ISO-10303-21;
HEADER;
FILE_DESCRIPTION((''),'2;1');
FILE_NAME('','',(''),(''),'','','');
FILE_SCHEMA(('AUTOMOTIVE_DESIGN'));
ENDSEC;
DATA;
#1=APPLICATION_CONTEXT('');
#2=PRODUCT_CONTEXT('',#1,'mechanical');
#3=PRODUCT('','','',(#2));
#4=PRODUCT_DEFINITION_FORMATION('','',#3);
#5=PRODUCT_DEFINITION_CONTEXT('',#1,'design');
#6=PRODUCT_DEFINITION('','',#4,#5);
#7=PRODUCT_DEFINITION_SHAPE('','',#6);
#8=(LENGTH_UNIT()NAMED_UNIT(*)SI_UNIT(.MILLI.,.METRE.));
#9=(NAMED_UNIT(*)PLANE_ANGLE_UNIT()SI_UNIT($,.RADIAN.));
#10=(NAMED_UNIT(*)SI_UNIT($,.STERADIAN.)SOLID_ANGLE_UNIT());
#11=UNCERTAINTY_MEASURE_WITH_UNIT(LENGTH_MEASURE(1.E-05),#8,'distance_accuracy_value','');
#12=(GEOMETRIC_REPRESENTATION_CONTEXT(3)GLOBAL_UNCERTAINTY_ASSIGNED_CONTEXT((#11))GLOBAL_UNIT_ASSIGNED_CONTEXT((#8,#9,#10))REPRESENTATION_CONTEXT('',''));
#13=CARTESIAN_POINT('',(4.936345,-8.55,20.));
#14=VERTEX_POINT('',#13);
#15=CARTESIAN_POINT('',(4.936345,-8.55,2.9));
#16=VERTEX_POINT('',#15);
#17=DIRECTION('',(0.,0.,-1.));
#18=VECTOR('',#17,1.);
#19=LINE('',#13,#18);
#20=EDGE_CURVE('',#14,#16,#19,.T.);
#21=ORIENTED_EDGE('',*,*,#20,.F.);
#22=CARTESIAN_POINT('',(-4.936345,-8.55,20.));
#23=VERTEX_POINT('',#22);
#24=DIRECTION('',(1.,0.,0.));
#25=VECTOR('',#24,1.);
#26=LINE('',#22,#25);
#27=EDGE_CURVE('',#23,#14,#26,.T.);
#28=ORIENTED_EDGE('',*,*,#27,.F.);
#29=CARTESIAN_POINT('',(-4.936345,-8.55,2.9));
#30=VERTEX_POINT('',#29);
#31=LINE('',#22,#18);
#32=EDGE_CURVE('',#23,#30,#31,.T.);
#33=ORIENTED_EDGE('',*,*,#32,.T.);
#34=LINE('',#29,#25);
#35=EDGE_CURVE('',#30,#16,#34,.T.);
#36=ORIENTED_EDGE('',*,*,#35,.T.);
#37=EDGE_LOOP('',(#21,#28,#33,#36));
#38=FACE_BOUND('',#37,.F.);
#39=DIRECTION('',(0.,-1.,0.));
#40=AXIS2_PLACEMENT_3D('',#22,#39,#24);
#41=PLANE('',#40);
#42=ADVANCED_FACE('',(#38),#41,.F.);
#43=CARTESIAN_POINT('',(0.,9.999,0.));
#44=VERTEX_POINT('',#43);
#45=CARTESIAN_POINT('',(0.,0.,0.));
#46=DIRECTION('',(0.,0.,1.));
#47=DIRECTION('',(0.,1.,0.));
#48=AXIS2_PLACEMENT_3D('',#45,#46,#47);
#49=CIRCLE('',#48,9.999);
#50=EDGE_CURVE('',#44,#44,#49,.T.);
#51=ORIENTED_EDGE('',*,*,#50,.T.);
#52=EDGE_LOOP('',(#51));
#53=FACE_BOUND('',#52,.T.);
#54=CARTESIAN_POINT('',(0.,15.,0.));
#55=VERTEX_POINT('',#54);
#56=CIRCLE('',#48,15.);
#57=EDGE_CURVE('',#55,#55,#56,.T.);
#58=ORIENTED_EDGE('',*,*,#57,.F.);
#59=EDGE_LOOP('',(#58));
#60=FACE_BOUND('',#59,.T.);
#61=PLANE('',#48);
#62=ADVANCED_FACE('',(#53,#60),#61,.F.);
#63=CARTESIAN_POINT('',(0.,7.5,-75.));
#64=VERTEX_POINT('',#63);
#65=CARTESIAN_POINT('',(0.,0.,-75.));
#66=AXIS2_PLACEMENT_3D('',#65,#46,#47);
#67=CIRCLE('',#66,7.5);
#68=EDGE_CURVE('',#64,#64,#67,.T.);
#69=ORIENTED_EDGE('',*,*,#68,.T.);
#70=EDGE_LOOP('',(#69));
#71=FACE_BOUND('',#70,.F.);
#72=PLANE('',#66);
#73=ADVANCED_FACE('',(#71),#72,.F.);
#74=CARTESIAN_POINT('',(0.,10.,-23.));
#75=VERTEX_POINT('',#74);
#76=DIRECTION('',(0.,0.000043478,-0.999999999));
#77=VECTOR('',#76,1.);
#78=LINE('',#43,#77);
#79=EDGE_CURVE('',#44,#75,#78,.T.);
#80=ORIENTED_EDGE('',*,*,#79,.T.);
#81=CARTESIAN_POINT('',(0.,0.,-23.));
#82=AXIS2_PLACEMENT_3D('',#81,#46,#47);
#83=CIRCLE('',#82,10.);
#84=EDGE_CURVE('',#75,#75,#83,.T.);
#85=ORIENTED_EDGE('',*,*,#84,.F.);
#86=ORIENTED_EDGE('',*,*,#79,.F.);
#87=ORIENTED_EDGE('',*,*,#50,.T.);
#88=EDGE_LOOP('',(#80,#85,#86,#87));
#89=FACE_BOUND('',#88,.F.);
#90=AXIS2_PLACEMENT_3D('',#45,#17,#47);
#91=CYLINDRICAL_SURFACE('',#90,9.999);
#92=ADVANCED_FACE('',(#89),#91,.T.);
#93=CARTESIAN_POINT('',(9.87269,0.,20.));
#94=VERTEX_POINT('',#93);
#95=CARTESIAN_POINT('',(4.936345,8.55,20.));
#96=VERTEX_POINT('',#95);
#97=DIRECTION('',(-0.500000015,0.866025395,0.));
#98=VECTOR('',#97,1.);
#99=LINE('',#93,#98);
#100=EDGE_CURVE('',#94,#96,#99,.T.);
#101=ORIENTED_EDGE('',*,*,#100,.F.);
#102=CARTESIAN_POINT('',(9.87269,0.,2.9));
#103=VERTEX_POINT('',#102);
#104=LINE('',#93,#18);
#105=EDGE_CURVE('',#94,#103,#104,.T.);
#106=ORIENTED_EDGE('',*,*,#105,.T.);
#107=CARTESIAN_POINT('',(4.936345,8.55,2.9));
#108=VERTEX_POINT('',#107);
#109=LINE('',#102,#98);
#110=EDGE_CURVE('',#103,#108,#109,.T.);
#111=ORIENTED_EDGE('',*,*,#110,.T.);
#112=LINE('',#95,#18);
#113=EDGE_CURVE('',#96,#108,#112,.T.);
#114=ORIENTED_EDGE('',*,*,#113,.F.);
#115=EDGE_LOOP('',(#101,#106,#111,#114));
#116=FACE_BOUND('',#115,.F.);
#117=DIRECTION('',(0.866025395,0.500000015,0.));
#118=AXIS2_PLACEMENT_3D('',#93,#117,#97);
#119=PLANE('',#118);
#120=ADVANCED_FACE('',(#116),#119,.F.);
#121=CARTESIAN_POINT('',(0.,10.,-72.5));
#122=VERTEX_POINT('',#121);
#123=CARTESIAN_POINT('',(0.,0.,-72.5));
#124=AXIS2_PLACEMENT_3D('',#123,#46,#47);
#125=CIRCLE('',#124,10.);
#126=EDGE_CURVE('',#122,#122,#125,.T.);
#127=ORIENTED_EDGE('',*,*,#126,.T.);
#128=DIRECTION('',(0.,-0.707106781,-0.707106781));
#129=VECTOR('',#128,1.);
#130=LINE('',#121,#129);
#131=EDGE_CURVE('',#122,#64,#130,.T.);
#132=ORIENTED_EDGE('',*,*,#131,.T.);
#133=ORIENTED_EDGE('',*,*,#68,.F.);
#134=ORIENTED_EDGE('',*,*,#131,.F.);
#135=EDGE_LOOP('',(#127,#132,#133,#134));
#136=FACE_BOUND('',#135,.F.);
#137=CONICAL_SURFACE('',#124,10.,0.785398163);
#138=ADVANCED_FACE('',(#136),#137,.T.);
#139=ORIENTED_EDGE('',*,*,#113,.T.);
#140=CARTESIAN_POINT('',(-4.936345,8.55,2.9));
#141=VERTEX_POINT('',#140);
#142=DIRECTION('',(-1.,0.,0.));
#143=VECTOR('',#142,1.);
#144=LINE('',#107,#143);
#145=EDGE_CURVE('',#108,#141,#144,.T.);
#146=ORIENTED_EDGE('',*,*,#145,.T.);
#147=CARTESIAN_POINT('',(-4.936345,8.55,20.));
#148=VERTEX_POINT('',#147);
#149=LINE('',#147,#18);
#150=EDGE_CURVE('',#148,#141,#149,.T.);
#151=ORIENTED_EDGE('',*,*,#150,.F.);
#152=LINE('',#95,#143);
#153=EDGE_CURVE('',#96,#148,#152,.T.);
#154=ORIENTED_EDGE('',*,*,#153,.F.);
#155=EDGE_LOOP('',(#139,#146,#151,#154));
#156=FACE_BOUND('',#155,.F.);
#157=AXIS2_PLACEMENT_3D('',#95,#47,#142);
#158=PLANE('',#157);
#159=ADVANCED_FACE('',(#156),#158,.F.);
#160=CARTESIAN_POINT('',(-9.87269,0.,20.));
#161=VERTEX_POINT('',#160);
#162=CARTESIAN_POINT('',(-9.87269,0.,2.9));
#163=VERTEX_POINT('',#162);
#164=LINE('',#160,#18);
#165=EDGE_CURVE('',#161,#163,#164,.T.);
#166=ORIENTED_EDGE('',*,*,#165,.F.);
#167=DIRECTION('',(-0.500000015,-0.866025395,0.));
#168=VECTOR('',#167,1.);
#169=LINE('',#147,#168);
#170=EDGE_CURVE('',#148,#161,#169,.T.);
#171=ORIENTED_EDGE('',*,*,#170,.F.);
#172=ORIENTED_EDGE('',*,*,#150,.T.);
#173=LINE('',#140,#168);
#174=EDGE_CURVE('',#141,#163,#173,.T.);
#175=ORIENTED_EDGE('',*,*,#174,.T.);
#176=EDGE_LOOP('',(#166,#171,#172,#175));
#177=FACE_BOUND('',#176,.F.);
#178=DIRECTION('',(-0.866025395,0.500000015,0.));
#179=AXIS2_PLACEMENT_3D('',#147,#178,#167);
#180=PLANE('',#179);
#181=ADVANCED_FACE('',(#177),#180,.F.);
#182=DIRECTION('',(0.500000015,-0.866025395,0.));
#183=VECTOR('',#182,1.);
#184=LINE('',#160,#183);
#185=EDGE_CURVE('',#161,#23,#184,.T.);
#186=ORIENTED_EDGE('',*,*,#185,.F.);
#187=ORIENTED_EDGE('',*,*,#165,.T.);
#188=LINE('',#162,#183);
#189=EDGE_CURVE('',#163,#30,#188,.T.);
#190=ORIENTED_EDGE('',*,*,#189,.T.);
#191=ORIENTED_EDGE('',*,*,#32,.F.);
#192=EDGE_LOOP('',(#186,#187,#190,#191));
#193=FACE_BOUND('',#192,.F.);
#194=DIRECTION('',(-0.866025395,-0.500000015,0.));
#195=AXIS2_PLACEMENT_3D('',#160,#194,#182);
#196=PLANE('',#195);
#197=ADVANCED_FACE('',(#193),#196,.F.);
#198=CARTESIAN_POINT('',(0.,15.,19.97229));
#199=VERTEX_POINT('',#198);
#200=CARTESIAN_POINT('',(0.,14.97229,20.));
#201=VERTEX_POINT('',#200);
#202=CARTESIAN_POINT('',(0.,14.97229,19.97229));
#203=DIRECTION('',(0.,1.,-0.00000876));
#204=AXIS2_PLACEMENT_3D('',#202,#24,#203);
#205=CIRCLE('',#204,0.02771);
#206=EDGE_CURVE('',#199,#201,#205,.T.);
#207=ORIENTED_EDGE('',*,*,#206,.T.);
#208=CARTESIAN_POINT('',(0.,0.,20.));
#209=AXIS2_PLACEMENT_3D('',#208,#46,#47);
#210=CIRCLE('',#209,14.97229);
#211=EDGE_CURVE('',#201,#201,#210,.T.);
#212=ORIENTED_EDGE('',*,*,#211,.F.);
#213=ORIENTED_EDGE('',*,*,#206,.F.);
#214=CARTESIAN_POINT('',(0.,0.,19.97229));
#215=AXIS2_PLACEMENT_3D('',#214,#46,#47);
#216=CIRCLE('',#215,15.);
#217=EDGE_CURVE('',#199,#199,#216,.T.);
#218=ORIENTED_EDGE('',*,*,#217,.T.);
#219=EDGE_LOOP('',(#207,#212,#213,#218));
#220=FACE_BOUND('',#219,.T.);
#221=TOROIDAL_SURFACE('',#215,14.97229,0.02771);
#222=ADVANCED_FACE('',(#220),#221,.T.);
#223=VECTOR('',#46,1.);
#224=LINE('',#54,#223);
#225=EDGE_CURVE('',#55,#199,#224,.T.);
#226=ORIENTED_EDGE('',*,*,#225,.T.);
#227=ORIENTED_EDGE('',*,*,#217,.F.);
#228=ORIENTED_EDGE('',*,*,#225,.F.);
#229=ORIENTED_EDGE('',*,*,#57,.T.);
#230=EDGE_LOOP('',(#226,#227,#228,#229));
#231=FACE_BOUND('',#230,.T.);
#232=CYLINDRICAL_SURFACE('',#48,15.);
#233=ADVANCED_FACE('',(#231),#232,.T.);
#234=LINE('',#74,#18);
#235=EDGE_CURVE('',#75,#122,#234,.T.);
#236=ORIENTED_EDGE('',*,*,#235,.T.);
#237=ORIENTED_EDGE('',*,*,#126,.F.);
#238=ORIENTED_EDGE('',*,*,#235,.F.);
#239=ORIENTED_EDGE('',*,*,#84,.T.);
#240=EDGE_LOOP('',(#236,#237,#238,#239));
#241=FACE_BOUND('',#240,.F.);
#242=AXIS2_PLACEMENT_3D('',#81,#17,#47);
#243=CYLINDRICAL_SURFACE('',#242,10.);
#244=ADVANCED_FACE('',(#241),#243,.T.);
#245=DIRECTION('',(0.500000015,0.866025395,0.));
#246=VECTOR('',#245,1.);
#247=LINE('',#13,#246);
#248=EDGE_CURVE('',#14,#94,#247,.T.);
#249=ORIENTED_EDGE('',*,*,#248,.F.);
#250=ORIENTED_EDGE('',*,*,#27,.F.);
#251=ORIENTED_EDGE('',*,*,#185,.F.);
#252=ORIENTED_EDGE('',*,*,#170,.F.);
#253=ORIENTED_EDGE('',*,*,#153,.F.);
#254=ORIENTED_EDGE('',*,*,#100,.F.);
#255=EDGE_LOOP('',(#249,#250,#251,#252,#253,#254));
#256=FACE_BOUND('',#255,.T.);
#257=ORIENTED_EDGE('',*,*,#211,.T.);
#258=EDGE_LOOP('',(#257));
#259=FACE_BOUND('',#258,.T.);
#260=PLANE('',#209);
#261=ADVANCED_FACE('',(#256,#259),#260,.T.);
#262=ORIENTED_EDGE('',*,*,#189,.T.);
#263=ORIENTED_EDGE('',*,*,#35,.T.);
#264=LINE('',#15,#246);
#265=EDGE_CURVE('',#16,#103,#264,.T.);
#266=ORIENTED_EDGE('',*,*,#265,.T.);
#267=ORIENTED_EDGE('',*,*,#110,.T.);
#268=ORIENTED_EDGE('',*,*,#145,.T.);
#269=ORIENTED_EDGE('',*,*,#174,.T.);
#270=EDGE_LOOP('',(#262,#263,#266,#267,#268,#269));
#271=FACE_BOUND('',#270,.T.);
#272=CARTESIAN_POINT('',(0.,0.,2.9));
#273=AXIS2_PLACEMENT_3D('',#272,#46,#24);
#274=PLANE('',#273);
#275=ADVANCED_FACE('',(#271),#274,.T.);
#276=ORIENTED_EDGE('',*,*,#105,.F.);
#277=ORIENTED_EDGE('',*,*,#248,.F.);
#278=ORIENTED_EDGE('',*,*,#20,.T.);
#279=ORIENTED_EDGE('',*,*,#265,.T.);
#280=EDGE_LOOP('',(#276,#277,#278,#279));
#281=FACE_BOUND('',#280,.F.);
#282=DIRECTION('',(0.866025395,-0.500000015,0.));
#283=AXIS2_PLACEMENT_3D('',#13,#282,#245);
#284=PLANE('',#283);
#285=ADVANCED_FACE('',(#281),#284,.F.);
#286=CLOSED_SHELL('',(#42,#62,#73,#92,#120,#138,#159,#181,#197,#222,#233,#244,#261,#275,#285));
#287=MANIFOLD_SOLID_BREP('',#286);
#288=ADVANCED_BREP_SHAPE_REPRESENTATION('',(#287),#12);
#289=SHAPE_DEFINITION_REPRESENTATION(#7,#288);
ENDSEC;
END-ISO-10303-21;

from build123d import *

# Parameters (mm, degrees)
POCKET_DEPTH = 17.1


with BuildPart() as part:
    # Sketch → Revolve (revolve)
    with BuildSketch(Plane.YZ):
        with BuildLine():
            Line((9.999, 0), (15, 0))
            Line((15, 0), (15, 19.97229))
            ThreePointArc((15, 19.97229), (14.991884, 19.991884), (14.97229, 20))
            Line((14.97229, 20), (0, 20))
            Line((0, -75), (0, 20))
            Line((7.5, -75), (0, -75))
            Line((10, -72.5), (7.5, -75))
            Line((10, -23), (10, -72.5))
            Line((9.999, 0), (10, -23))
        make_face()
    revolve(axis=Axis((0, 0, 0), (0, 0, 1)))

    # Sketch001 → Pocket (cut)
    with BuildSketch(Plane.XY.offset(20)):
        Polygon((9.87269, 0), (4.936345, 8.55), (-4.936345, 8.55), (-9.87269, 0), (-4.936345, -8.55), (4.936345, -8.55), align=None)
    extrude(amount=-POCKET_DEPTH, mode=Mode.SUBTRACT)


solid = part.part
